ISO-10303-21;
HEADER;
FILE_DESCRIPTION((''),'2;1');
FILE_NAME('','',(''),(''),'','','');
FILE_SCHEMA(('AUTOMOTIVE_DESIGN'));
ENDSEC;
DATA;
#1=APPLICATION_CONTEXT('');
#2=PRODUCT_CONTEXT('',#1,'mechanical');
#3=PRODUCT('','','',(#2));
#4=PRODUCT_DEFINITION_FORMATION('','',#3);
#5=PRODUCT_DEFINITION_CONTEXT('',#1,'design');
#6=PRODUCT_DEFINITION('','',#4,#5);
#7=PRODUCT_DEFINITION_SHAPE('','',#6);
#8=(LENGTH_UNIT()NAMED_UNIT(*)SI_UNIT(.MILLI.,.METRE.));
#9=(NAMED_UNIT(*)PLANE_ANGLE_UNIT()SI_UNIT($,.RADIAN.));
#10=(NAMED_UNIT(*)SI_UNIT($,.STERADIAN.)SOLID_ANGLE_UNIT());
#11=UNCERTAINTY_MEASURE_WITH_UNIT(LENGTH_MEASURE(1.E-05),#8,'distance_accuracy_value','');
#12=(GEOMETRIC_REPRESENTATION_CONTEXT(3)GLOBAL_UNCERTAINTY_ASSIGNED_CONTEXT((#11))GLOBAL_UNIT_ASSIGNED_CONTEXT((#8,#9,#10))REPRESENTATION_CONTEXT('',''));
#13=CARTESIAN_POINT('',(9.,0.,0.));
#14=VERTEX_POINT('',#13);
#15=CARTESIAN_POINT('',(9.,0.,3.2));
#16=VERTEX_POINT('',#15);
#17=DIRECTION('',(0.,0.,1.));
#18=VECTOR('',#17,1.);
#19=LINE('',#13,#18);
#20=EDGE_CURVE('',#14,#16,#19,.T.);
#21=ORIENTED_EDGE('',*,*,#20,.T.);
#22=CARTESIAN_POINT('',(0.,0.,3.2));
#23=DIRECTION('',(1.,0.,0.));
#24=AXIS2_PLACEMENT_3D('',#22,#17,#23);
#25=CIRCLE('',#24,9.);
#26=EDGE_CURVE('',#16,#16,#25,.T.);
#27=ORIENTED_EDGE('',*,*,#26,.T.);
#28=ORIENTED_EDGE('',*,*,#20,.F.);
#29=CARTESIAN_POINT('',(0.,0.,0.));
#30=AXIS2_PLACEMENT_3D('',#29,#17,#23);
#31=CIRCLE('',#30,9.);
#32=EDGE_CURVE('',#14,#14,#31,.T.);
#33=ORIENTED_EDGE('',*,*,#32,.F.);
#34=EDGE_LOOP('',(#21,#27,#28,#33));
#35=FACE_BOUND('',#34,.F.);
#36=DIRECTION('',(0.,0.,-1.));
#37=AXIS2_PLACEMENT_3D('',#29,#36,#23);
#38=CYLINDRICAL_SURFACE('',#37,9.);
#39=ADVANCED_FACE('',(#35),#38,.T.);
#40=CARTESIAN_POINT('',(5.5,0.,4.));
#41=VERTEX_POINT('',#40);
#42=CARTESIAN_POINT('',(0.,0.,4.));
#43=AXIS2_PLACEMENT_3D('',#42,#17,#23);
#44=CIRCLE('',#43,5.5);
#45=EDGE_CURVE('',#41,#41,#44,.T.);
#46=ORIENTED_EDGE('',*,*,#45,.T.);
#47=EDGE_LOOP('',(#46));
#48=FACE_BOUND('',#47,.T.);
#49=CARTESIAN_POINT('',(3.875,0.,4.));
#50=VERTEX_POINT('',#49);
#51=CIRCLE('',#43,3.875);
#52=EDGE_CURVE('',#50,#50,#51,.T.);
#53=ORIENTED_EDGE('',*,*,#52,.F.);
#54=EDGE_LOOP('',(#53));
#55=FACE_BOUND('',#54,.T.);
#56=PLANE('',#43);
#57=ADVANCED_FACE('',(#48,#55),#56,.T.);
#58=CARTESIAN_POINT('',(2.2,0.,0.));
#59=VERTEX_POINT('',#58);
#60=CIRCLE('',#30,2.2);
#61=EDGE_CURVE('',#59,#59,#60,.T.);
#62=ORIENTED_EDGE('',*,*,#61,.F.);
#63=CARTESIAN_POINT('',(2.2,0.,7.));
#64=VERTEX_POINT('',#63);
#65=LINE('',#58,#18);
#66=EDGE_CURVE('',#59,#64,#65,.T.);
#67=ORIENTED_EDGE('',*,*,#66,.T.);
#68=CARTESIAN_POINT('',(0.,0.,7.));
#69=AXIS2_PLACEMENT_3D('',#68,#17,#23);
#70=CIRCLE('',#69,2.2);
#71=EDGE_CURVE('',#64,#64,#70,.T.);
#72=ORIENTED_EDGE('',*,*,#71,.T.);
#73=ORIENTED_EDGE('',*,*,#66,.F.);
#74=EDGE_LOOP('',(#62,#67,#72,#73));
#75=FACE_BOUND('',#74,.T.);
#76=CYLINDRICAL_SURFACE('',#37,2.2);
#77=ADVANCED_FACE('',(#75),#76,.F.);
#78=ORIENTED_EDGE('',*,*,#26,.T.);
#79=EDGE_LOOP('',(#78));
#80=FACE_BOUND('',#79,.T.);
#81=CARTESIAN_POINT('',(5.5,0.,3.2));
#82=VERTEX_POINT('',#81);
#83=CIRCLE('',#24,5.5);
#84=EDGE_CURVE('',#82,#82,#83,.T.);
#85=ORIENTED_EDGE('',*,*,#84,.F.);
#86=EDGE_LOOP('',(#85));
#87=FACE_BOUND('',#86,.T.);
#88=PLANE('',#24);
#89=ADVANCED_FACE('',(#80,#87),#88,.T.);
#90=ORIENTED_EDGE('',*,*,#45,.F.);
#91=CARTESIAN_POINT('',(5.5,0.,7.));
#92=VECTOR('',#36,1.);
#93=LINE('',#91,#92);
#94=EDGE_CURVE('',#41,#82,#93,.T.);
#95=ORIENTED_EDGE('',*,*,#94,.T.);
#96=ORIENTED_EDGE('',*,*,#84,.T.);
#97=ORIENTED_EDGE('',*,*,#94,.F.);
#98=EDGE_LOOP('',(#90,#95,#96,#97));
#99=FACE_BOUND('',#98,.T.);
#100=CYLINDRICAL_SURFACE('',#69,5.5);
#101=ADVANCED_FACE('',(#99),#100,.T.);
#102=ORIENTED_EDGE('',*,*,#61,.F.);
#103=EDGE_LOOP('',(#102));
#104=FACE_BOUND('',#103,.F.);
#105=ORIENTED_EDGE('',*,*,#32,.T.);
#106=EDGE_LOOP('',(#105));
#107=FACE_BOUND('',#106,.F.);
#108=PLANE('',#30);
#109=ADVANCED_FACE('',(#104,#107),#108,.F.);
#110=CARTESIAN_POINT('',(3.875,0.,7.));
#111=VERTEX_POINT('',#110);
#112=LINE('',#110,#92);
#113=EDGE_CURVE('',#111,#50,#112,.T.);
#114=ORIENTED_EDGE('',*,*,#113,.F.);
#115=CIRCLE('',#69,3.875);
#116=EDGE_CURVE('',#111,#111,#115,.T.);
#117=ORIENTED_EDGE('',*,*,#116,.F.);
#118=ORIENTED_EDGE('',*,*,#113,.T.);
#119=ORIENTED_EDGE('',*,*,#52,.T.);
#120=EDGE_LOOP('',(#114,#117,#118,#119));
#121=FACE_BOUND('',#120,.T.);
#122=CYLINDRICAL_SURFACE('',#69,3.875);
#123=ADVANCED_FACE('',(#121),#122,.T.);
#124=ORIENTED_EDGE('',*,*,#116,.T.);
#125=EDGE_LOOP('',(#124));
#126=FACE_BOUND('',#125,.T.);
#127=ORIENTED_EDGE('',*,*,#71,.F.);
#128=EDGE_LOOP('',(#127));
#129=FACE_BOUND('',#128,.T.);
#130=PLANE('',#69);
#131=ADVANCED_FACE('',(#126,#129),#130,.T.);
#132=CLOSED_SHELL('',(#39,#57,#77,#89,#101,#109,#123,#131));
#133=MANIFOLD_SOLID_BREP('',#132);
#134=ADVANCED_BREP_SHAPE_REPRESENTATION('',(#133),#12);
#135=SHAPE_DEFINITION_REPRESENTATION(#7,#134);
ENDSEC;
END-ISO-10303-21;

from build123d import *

# Parameters (mm, degrees)
SKETCH1_R           = 9
SKETCH1_R_2         = 2.2
BOSS_EXTRUDE1_DEPTH = 7
SKETCH2_R           = 9
SKETCH2_R_2         = 5.5
CUT_EXTRUDE1_DEPTH  = 3.8
SKETCH3_R           = 5.5
SKETCH3_R_2         = 3.875
CUT_EXTRUDE2_DEPTH  = 3


with BuildPart() as part:
    # Sketch1 → Boss-Extrude1 (new body)
    with BuildSketch(Plane.XY):
        Circle(SKETCH1_R)
        Circle(SKETCH1_R_2, mode=Mode.SUBTRACT)
    extrude(amount=BOSS_EXTRUDE1_DEPTH)

    # Sketch2 → Cut-Extrude1 (cut)
    with BuildSketch(Plane.XY.offset(7)):
        Circle(SKETCH2_R)
        Circle(SKETCH2_R_2, mode=Mode.SUBTRACT)
    extrude(amount=-CUT_EXTRUDE1_DEPTH, mode=Mode.SUBTRACT)

    # Sketch3 → Cut-Extrude2 (cut)
    with BuildSketch(Plane.XY.offset(7)):
        Circle(SKETCH3_R)
        Circle(SKETCH3_R_2, mode=Mode.SUBTRACT)
    extrude(amount=-CUT_EXTRUDE2_DEPTH, mode=Mode.SUBTRACT)


solid = part.part
